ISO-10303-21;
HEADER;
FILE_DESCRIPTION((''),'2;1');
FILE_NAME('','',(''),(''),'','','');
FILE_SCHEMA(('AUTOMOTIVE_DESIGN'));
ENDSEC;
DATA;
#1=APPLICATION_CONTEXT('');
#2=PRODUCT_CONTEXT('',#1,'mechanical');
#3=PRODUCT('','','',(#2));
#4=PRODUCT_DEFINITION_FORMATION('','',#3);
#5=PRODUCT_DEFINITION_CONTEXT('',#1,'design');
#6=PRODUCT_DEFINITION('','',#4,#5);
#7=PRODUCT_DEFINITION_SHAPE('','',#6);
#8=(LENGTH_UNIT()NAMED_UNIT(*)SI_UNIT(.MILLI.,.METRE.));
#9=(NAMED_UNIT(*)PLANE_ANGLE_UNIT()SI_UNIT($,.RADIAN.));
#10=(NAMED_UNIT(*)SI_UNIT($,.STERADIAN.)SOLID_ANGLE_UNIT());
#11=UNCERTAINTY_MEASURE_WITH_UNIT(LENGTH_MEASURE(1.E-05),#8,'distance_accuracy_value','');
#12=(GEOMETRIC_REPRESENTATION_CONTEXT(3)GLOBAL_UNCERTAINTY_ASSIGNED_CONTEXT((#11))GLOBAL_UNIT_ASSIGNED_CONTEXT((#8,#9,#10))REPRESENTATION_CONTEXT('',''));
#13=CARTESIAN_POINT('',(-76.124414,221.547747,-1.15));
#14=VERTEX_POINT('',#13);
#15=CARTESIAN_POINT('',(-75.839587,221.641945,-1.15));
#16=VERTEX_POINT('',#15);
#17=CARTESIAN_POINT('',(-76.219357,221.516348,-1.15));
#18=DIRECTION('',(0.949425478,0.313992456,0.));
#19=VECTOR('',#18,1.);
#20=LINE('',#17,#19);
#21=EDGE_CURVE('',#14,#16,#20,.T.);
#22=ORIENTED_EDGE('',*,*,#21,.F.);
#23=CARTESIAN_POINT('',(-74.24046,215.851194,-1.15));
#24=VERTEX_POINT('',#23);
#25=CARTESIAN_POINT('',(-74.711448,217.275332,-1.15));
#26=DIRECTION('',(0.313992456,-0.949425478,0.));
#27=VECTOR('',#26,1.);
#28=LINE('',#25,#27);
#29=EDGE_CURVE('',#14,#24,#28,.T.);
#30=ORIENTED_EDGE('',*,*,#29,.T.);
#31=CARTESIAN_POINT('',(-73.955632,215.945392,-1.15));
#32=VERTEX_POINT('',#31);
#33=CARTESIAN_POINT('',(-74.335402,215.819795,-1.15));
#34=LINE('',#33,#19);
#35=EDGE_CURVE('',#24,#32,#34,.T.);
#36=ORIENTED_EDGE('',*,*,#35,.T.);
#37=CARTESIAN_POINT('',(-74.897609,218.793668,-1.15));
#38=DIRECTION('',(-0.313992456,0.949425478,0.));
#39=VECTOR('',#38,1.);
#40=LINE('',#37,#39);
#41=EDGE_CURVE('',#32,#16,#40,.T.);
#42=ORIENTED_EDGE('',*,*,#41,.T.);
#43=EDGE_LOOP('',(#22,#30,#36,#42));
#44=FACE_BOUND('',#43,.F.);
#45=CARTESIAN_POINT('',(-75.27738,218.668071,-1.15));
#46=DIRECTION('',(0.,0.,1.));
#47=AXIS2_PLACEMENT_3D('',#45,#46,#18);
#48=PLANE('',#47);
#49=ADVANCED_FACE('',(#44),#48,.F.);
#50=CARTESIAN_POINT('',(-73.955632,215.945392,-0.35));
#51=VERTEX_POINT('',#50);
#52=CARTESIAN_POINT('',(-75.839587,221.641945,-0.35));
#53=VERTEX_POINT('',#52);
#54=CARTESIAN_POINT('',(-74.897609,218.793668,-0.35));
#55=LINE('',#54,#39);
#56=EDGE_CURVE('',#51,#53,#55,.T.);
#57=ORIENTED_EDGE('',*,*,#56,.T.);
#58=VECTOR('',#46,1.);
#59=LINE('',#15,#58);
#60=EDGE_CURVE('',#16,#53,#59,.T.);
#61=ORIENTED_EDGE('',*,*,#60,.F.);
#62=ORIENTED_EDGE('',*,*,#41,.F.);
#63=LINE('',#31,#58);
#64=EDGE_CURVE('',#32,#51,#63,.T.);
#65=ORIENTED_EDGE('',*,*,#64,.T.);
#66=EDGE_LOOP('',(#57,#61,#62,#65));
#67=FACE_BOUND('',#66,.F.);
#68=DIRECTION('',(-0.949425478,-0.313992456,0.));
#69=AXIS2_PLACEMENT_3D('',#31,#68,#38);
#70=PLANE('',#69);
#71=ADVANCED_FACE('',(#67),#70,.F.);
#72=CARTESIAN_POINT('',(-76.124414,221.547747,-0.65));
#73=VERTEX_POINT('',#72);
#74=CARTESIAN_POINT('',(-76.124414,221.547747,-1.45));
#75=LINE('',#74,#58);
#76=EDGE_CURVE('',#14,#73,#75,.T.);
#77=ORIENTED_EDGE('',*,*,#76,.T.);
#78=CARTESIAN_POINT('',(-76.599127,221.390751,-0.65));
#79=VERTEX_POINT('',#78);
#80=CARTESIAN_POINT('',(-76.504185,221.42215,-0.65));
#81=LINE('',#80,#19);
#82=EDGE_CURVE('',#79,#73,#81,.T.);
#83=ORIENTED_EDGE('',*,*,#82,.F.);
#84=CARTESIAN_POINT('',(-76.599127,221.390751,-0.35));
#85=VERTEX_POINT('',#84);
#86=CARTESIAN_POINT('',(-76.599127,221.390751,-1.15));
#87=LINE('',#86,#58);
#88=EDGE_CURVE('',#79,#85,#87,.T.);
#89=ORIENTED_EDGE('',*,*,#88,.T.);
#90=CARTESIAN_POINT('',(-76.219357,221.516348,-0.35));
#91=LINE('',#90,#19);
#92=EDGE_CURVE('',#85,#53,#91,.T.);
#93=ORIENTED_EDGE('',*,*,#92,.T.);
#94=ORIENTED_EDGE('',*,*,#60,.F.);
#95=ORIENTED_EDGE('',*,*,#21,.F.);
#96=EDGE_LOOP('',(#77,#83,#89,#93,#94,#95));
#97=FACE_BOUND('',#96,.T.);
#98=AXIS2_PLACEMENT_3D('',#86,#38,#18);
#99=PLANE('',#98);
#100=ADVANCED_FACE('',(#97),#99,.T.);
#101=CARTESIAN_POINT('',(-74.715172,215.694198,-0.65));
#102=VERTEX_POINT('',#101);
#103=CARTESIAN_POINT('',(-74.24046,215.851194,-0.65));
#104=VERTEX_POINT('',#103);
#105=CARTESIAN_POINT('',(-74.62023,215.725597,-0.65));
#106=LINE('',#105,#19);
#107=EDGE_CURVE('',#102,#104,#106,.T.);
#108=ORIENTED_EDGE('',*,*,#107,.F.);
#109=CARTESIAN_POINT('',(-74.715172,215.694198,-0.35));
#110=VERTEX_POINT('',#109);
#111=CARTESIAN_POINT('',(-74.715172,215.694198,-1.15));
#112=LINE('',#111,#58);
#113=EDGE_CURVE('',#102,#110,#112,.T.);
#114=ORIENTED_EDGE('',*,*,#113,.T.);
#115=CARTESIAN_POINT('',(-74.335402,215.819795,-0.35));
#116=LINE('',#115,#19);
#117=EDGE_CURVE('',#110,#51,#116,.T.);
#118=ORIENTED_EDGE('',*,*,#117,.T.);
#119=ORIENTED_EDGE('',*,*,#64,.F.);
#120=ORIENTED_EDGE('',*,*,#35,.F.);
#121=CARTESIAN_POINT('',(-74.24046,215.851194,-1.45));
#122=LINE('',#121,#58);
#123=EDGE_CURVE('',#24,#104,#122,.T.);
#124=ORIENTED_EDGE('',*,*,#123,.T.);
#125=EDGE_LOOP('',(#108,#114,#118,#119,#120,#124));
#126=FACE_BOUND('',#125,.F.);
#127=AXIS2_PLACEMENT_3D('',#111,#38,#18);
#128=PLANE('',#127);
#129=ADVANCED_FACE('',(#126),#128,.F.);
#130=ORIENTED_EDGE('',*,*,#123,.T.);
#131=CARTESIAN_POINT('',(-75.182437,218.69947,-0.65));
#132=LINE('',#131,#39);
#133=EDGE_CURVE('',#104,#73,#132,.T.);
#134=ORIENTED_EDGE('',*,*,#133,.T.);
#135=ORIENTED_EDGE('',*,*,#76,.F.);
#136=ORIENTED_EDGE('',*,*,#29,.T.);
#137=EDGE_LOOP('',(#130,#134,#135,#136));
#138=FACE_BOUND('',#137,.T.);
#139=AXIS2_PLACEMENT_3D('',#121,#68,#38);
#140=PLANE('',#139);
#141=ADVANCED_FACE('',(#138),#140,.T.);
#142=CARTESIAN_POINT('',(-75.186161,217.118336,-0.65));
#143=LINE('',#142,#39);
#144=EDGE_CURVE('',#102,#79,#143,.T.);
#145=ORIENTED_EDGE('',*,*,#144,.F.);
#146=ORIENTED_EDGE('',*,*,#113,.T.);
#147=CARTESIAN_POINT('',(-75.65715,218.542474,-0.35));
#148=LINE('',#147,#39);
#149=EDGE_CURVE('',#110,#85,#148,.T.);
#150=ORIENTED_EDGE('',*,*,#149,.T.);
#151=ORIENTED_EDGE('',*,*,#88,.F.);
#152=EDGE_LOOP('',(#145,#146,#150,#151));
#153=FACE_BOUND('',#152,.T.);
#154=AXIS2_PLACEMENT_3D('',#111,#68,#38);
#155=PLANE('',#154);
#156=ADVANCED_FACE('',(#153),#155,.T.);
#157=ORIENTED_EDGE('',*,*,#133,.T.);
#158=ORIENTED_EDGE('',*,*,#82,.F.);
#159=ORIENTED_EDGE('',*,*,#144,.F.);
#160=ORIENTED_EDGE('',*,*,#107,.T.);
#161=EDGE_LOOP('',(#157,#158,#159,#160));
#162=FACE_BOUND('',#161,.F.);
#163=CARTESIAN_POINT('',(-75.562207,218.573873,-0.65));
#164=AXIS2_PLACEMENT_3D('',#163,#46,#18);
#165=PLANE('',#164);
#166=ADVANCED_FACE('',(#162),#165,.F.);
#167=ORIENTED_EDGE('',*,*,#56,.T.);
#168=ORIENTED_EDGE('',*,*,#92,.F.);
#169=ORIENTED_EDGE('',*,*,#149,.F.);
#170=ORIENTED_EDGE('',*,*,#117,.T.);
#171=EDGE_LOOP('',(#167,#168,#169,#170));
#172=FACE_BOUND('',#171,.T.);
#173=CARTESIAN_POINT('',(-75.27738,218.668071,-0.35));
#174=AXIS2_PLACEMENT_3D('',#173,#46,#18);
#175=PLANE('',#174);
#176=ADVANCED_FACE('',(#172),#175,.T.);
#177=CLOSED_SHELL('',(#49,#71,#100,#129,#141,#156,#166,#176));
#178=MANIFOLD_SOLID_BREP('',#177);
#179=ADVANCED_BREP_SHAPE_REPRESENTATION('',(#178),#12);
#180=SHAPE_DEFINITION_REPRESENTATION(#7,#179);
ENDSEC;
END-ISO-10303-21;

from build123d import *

# Parameters (mm, degrees)
BOX151_W               = 0.8
BOX151_H               = 6
BOX151_DEPTH           = 0.8
BOX152_W               = 0.8
BOX152_H               = 6
BOX152_DEPTH           = 0.8
CUT079_PLACEMENT_ANGLE = 18.3


with BuildPart() as cubo151:
    # Box151 → Box151 (new body)
    with BuildSketch(Plane.XY):
        with Locations((0.4, 3)):
            Rectangle(BOX151_W, BOX151_H)
    extrude(amount=BOX151_DEPTH)


with BuildPart() as perfil_l_2da_cara021:
    # Box152 → Box152 (new body)
    with BuildSketch(Plane(origin=(0.3, 0, 0.3), x_dir=(1, 0, 0), z_dir=(0, 0, 1))):
        with Locations((0.4, 3)):
            Rectangle(BOX152_W, BOX152_H)
    extrude(amount=BOX152_DEPTH)

    # Cut079: cut Cubo151
    add(cubo151.part, mode=Mode.SUBTRACT)


with BuildPart() as perfil_l_2da_cara021_1:
    # Cut079 placement: moved
    add(perfil_l_2da_cara021.part.moved(Location((-75, 215.6, -1.45))).rotate(Axis((-75, 215.6, -1.45), (0, 0, 1)), CUT079_PLACEMENT_ANGLE))


solid = perfil_l_2da_cara021_1.part
